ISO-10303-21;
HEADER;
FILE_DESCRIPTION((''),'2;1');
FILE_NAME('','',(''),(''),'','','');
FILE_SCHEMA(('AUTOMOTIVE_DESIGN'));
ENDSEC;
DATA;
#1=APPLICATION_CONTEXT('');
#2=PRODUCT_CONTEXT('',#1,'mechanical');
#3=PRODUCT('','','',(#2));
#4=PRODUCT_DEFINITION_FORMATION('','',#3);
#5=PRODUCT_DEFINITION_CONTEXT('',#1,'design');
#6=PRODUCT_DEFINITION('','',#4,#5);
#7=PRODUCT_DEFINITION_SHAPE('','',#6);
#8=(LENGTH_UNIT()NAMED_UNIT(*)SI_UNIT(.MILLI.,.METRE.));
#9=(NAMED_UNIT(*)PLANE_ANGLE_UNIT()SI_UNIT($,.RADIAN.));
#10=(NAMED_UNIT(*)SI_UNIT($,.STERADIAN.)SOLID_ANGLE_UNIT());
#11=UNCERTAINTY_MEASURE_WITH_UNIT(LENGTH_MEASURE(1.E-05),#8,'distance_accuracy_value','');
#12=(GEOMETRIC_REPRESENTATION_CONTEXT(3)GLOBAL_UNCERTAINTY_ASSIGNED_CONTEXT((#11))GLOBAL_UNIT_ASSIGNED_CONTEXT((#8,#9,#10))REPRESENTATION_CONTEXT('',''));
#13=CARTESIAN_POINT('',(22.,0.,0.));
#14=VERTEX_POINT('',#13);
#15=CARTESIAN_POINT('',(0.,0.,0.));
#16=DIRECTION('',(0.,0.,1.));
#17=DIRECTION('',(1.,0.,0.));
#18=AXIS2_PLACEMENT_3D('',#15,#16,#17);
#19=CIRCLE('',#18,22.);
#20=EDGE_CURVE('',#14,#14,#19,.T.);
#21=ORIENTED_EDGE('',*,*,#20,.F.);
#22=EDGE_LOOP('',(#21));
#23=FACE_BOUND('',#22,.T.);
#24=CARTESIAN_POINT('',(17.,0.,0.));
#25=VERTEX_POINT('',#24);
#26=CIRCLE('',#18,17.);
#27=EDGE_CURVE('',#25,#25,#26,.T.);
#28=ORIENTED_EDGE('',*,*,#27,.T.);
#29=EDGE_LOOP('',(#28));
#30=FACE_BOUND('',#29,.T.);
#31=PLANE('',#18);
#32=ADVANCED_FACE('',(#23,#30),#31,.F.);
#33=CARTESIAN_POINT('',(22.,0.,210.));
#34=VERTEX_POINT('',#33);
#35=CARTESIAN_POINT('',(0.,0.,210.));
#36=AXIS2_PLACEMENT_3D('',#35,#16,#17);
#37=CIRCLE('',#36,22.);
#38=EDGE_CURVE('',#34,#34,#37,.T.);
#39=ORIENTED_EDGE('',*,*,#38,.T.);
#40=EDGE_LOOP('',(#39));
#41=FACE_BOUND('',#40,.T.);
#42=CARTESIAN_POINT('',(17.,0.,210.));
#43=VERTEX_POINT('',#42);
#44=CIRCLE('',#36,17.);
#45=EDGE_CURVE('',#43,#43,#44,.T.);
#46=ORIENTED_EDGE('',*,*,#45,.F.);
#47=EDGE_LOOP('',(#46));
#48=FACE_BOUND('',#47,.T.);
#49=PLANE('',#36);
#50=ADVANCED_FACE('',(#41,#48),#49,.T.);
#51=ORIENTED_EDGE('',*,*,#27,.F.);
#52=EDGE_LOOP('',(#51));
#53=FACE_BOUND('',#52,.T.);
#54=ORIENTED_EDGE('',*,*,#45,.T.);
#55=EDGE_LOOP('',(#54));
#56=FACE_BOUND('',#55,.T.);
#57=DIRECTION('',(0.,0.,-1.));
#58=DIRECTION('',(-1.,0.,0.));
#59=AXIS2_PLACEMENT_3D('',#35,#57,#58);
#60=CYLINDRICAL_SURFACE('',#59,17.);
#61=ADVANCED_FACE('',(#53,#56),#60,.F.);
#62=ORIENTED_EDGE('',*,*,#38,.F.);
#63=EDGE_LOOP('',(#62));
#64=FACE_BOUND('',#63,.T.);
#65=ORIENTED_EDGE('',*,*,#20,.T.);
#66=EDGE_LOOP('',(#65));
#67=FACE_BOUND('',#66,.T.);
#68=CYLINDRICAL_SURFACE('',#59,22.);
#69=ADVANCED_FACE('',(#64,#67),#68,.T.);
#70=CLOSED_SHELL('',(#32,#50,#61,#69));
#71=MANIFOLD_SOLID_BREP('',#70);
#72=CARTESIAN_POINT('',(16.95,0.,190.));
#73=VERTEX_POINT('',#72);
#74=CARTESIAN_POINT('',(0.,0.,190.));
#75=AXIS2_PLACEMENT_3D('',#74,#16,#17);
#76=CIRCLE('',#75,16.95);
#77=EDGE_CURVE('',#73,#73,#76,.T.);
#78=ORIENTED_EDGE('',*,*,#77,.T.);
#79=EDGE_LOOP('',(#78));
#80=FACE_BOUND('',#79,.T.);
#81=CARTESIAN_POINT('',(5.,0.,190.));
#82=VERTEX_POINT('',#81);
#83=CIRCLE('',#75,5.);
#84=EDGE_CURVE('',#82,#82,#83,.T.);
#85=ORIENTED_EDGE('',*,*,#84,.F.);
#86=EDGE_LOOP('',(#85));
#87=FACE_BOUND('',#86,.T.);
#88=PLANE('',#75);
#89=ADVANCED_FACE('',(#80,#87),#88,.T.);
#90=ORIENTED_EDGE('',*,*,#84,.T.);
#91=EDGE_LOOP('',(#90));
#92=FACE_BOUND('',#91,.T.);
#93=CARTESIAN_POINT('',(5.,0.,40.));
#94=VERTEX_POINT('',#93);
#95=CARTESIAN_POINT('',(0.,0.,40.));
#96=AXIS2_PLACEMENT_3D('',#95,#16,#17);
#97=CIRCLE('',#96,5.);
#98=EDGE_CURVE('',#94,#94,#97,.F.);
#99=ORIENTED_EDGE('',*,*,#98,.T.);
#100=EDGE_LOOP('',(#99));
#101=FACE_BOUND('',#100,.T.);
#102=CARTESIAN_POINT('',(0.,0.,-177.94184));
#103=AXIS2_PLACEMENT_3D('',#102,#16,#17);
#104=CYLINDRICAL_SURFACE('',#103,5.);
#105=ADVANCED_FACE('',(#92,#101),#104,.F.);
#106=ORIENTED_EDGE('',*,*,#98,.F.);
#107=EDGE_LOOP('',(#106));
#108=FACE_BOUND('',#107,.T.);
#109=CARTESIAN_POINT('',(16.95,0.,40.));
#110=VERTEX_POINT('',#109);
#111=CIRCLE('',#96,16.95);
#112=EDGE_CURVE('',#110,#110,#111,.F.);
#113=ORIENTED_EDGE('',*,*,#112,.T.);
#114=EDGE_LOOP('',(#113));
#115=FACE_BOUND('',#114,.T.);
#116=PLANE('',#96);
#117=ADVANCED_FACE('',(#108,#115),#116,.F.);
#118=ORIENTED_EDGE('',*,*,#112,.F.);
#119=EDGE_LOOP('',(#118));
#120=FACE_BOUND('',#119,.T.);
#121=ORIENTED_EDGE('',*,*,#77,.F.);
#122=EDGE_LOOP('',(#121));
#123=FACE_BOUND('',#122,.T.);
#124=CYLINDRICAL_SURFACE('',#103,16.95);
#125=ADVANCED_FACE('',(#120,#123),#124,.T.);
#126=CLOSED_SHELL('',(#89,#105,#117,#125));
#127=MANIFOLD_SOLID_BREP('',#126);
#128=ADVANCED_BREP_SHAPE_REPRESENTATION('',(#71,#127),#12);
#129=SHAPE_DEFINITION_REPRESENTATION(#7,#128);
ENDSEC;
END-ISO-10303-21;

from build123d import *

# Parameters (mm, degrees)
SKETCH2_R           = 22
SKETCH2_R_2         = 17
BOSS_EXTRUDE1_DEPTH = 210
BOSS_EXTRUDE2_START = -20
SKETCH3_R           = 16.95
SKETCH3_R_2         = 5
BOSS_EXTRUDE2_DEPTH = 150


with BuildPart() as part:
    # Sketch2 → Boss-Extrude1 (new body)
    with BuildSketch(Plane.XY):
        Circle(SKETCH2_R)
        Circle(SKETCH2_R_2, mode=Mode.SUBTRACT)
    extrude(amount=BOSS_EXTRUDE1_DEPTH)


with BuildPart() as body_2:
    # Sketch3 → Boss-Extrude2 (new body)
    with BuildSketch(Plane.XY.offset(210).offset(BOSS_EXTRUDE2_START)):
        Circle(SKETCH3_R)
        Circle(SKETCH3_R_2, mode=Mode.SUBTRACT)
    extrude(amount=-BOSS_EXTRUDE2_DEPTH)


solid = Compound([part.part, body_2.part])
